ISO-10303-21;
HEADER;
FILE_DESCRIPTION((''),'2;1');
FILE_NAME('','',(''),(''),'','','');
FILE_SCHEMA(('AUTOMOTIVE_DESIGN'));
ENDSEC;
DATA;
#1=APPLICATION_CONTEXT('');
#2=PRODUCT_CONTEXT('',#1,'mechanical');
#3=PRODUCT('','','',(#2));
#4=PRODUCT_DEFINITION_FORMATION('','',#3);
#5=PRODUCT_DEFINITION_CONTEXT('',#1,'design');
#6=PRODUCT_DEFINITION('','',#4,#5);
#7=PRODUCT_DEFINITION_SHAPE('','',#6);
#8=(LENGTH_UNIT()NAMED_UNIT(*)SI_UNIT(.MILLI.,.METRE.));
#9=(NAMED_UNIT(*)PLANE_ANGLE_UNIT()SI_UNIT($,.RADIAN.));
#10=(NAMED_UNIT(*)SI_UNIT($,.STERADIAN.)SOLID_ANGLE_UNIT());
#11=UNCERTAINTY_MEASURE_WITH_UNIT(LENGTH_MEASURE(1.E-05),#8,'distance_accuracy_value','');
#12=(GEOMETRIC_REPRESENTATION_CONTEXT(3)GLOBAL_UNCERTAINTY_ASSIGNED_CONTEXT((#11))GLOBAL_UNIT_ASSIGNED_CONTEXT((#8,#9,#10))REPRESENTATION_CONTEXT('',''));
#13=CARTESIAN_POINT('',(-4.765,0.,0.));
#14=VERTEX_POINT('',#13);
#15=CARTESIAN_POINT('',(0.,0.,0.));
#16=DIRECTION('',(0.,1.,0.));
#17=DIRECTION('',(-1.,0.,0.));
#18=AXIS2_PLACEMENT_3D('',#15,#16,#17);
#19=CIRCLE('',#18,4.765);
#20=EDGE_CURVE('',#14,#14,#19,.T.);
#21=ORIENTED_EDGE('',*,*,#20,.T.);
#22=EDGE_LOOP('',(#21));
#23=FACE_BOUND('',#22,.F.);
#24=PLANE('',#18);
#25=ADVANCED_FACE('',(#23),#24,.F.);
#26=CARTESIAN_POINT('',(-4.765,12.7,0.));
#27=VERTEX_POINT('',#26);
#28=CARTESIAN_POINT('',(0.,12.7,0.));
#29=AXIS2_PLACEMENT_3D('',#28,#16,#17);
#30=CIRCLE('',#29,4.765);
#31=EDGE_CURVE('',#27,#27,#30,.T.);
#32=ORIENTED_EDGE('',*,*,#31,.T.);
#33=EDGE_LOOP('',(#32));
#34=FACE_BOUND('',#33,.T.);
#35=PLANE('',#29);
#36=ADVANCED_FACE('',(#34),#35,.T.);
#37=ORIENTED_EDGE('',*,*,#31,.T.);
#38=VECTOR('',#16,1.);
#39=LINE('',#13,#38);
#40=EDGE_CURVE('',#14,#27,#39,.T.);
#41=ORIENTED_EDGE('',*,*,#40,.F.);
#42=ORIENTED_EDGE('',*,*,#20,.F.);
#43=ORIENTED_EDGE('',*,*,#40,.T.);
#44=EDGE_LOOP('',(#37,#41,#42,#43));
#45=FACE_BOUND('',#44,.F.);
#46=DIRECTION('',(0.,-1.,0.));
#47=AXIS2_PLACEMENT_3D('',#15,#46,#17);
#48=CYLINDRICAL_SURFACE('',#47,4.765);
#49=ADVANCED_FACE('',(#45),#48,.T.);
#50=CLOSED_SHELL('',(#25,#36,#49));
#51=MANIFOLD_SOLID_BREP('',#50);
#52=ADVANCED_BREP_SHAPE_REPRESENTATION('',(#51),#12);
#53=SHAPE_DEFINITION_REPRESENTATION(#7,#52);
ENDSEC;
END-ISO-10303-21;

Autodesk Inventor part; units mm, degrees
ref_plane "YZ Plane" through (0, 0, 0) normal (1, 0, 0) x (0, 1, 0)
ref_plane "XZ Plane" through (0, 0, 0) normal (0, 1, 0) x (-1, 0, 0)
ref_plane "XY Plane" through (0, 0, 0) normal (0, 0, 1) x (1, 0, 0)
sketch "Esboço1" plane through (0, 0, 0) normal (0, 1, 0) x (-1, 0, 0)
  circle A0 centre (0, 0) radius 4.765
  dimension "d0" = 9.53
extrude "Extrusão1" add sketch "Esboço1" along normal blind 12.7
properties part number "Eixo6"
